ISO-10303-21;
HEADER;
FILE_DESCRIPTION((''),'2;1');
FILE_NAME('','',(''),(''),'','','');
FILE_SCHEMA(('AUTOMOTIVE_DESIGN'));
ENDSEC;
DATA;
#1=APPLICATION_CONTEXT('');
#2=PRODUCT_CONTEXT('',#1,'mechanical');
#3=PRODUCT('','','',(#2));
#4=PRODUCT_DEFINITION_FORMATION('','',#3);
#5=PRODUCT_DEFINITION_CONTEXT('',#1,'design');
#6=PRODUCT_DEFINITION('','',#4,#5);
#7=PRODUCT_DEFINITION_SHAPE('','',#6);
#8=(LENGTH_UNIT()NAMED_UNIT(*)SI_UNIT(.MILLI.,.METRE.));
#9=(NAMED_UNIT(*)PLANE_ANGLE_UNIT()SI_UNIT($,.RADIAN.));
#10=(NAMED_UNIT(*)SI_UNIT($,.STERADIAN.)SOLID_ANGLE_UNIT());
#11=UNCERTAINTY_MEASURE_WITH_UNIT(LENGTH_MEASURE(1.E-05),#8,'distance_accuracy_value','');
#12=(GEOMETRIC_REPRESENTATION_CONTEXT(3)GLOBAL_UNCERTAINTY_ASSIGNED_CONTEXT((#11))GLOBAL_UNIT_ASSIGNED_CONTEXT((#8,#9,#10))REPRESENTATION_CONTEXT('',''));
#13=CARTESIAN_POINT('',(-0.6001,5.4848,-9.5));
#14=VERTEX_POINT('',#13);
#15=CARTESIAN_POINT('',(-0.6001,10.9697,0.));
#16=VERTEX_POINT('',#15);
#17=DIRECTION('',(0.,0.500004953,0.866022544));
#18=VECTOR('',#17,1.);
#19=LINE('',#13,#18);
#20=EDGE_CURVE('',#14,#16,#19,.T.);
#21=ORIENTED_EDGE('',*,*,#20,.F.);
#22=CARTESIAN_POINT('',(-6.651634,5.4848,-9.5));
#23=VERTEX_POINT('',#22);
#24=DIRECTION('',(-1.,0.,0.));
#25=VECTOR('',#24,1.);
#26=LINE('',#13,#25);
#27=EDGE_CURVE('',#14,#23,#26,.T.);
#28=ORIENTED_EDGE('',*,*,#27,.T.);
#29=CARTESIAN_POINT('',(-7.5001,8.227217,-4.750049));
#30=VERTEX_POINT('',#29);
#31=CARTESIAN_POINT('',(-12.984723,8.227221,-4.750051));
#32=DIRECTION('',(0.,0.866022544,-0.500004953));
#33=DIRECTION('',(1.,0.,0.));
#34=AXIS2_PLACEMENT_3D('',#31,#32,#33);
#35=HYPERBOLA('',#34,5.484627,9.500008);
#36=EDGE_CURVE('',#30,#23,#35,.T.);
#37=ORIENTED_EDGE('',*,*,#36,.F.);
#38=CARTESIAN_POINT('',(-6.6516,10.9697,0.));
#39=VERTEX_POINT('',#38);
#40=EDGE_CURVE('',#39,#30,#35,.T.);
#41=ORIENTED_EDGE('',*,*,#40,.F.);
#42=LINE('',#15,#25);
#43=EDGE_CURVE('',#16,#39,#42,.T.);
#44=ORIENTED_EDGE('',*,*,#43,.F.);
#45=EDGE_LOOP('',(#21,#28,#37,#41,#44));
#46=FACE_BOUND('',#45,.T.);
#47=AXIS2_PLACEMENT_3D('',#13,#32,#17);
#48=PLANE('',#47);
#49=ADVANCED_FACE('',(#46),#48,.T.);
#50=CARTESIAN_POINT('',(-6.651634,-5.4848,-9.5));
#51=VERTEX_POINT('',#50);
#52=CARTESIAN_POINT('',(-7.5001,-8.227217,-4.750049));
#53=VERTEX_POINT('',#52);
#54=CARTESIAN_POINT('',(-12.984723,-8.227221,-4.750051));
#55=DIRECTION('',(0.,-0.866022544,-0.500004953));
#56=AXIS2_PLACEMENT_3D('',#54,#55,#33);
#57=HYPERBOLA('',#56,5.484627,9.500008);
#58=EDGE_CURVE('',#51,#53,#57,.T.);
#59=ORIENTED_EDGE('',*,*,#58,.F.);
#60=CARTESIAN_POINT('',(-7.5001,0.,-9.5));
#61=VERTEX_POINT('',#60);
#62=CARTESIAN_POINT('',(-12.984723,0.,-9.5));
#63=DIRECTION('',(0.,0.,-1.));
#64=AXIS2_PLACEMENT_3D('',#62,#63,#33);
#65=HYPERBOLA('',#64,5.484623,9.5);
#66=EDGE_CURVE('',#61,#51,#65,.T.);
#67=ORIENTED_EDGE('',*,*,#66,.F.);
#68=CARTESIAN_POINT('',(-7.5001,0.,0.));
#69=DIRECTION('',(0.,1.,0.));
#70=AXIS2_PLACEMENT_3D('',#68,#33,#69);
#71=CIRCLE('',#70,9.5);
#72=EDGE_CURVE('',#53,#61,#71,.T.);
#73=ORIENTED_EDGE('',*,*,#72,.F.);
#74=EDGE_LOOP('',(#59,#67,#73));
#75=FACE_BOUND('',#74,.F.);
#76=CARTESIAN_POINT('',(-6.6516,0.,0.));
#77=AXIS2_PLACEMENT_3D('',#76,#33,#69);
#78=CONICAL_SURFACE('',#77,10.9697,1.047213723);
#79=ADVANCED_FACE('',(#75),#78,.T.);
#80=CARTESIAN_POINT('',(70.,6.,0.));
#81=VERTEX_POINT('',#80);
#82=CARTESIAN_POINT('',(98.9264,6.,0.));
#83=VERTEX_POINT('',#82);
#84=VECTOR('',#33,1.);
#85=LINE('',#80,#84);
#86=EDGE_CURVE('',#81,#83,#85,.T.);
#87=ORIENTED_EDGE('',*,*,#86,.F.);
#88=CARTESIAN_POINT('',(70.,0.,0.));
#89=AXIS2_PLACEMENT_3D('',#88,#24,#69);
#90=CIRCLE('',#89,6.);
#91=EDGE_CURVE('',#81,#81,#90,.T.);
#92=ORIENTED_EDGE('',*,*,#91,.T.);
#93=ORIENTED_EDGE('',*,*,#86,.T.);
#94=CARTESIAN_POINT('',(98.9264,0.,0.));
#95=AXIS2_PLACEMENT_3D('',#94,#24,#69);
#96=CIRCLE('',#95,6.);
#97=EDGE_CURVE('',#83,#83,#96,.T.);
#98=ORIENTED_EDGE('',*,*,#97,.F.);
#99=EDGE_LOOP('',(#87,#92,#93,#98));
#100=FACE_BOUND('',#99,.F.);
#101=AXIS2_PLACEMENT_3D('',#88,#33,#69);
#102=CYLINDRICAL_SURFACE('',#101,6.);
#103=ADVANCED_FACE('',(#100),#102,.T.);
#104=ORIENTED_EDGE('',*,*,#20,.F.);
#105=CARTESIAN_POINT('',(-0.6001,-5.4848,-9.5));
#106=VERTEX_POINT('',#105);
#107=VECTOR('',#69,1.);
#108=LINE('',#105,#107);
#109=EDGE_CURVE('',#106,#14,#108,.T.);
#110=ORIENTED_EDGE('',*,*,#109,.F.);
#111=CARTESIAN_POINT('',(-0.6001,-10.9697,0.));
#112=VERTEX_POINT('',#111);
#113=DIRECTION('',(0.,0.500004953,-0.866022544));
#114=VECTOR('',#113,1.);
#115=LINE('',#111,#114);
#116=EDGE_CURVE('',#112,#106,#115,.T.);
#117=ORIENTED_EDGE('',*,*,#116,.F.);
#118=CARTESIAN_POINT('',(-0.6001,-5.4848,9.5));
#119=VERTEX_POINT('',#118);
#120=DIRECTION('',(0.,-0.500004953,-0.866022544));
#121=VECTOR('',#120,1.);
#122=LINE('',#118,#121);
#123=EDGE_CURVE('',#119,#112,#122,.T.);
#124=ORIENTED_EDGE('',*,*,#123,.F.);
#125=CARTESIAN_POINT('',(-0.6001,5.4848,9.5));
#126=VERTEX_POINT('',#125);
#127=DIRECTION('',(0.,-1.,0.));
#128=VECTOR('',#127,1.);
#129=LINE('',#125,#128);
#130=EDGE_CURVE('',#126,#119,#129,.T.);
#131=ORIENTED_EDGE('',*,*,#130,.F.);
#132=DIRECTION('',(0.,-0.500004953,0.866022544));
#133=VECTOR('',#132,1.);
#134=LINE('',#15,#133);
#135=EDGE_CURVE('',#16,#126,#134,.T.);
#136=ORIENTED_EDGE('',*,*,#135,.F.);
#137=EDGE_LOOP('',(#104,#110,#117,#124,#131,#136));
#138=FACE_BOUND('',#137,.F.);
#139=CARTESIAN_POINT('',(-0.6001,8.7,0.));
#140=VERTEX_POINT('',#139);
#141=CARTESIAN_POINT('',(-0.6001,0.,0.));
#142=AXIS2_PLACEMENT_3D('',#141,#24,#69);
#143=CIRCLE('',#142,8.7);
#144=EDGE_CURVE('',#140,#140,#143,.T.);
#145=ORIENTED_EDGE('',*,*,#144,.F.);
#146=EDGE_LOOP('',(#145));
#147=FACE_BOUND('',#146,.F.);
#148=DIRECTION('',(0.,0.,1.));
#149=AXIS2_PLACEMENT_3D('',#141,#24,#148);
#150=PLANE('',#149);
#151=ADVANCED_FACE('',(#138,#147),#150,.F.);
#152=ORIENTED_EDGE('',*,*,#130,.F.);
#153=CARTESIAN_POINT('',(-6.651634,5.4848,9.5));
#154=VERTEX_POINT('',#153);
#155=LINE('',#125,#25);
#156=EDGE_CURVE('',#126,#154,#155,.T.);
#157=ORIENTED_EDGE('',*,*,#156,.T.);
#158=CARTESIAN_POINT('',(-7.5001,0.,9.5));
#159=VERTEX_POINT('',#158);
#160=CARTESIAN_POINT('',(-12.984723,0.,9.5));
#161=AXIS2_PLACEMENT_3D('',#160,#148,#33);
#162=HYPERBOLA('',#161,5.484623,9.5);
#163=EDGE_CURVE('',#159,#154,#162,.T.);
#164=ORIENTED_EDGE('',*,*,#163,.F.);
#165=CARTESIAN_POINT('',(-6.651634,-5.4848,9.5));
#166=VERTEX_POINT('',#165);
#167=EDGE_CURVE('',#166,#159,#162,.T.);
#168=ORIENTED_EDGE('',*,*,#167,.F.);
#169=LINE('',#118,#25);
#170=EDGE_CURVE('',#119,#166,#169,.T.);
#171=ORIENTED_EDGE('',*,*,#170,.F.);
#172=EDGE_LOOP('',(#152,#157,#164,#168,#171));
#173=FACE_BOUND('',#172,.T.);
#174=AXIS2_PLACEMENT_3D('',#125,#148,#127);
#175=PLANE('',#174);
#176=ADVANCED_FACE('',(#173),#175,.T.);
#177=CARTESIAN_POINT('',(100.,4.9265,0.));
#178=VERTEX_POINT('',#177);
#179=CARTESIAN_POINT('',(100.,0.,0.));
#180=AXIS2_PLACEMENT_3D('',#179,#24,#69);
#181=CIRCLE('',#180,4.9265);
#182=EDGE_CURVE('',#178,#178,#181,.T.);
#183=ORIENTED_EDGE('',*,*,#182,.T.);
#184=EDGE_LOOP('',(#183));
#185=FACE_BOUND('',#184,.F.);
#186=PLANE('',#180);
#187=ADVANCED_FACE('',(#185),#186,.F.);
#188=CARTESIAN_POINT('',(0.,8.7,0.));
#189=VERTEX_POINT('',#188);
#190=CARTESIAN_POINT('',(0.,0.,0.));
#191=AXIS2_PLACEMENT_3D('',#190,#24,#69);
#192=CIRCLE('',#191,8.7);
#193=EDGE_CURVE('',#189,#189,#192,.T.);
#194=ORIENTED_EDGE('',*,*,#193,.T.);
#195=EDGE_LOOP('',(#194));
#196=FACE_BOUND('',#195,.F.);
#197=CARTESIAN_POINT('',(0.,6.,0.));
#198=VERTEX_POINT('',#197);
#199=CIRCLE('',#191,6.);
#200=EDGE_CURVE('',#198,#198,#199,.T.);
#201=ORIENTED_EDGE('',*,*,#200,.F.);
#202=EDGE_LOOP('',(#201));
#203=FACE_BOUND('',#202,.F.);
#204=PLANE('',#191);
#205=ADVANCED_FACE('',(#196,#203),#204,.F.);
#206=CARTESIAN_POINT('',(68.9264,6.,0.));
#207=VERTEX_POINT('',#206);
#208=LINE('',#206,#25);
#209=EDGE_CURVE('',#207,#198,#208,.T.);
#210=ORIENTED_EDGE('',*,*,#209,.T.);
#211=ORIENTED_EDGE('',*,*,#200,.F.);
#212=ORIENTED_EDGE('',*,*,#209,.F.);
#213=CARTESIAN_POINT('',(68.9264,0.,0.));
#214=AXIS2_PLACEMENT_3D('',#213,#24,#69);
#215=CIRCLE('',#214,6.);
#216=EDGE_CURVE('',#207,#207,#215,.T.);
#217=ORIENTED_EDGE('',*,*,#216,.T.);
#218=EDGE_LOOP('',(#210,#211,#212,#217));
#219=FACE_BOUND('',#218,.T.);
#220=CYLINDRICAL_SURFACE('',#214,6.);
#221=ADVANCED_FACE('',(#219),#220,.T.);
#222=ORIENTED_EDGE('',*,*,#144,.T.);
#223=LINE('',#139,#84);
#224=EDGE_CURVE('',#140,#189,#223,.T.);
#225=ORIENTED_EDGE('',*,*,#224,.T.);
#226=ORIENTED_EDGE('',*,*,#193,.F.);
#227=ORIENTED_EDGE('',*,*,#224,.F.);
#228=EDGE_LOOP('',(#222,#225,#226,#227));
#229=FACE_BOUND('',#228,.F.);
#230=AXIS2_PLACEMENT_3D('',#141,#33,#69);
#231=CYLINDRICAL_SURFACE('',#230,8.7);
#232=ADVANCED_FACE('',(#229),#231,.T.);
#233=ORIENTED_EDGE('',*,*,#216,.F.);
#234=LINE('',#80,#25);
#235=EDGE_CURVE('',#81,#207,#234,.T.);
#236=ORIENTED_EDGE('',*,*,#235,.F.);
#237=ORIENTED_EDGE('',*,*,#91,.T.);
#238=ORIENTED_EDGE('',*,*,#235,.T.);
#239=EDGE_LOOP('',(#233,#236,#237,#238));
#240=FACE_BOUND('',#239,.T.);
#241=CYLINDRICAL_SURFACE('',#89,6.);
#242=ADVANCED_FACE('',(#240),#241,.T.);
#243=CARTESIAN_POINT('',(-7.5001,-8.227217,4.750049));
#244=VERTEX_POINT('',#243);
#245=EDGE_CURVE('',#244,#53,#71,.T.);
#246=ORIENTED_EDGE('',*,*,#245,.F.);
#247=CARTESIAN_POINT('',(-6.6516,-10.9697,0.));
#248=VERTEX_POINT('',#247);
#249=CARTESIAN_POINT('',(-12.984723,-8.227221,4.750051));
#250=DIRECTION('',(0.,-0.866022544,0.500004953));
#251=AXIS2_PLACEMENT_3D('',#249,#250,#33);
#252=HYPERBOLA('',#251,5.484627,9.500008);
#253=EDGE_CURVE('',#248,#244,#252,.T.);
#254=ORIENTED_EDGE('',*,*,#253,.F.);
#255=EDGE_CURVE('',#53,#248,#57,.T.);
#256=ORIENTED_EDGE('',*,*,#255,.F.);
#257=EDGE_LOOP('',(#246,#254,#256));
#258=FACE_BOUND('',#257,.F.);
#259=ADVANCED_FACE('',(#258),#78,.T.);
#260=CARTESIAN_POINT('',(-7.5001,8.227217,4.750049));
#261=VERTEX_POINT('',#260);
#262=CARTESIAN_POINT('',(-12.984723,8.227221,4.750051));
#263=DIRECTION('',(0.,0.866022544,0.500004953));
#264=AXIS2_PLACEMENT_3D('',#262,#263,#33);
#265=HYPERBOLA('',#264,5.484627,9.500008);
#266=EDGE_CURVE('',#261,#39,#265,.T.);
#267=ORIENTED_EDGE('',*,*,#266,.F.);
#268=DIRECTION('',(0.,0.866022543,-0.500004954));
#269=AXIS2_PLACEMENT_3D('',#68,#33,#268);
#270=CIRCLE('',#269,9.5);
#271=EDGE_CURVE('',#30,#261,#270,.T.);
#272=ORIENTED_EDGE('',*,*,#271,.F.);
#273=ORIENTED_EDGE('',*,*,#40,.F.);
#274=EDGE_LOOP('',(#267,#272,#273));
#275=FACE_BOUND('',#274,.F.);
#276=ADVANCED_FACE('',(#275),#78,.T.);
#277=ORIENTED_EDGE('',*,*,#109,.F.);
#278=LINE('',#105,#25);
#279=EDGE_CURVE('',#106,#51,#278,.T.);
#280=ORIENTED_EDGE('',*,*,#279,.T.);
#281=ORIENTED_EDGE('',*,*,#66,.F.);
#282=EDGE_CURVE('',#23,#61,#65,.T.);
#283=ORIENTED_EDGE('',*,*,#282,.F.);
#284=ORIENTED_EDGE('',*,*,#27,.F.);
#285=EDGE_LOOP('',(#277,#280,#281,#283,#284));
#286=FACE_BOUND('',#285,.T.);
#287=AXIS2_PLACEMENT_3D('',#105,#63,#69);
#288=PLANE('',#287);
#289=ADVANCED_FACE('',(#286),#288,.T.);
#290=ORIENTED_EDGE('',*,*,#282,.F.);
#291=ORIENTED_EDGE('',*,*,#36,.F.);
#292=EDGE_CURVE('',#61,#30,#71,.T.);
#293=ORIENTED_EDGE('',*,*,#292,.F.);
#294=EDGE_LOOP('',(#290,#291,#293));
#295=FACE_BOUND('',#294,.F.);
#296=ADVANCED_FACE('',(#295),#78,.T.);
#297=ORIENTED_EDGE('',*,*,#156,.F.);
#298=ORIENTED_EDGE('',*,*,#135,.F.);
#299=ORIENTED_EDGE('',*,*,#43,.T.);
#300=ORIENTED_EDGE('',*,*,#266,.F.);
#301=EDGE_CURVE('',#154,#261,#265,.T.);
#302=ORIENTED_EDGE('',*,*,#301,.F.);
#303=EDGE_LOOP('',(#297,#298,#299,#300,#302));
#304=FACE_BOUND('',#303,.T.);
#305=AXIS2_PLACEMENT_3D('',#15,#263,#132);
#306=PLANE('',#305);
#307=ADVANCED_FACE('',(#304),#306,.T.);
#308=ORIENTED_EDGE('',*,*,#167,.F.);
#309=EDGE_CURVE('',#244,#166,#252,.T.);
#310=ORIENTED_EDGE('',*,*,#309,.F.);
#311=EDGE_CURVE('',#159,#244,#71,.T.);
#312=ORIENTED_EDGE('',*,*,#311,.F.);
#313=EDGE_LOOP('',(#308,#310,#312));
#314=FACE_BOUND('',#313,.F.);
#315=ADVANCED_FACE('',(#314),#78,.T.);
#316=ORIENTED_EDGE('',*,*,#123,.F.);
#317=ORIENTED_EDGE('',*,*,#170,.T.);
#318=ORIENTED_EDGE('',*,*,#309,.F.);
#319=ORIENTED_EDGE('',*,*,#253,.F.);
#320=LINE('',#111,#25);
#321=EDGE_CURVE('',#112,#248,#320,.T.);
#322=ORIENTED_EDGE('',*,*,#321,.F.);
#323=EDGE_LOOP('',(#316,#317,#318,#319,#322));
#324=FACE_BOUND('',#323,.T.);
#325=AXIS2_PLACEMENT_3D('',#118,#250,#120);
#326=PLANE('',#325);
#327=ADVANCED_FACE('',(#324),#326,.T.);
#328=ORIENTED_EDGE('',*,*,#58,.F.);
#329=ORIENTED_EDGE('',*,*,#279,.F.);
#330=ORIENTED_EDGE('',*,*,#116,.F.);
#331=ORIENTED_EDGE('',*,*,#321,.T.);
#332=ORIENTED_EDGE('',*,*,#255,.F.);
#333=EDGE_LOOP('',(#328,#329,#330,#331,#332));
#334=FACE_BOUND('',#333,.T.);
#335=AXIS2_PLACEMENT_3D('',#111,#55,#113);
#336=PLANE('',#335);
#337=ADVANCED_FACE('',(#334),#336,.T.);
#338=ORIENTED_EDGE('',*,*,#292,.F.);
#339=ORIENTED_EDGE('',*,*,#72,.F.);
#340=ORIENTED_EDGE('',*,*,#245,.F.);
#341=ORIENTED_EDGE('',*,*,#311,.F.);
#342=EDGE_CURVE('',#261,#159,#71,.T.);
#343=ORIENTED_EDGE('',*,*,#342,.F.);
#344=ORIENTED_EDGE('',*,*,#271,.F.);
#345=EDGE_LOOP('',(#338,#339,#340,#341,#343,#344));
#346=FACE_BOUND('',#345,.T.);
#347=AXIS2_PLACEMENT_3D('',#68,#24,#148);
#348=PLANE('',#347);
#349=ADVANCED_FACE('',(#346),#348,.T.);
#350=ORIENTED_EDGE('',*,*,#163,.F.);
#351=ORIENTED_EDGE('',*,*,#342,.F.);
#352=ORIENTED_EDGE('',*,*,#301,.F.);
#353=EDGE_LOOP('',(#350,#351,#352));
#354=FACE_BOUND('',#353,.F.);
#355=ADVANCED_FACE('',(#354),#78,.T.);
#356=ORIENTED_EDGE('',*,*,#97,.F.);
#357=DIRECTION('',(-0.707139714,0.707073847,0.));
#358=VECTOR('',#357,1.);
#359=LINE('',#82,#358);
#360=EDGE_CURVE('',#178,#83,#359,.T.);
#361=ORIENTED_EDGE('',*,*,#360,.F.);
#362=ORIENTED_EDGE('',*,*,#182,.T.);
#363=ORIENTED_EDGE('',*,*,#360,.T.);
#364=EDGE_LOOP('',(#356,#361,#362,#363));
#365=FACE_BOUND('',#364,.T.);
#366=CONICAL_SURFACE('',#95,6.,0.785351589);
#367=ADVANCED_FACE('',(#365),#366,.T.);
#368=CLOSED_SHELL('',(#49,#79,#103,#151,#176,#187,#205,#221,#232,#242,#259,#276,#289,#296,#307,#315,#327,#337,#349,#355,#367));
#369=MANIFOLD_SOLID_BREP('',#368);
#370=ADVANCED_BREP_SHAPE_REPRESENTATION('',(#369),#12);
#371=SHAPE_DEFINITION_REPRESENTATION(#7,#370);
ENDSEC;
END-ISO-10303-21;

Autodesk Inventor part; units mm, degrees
ref_plane "YZ Plane" through (0, 0, 0) normal (1, 0, 0) x (0, 1, 0)
ref_plane "XZ Plane" through (0, 0, 0) normal (0, 1, 0) x (-1, 0, 0)
sketch "Sketch1" plane through (0, 0, 0) normal (0, 0, 1) x (1, 0, 0)
  line L0 (0, 8.7) -> (0, 6)
  line L1 (70, 6) -> (100, 6)
  line L2 (100, 6) -> (100, 0)
  line L3 (100, 0) -> (-0.6001, 0)
  line L4 (-20.7201, 0) -> (120.12, 0) projected
  line L5 (-0.6001, 0) -> (-0.6001, 8.7)
  line L6 (-0.6001, 8.7) -> (0, 8.7)
  line L7 (70, 6) -> (68.9264, 6)
  line L8 (68.9264, 6) -> (0, 6)
  line L9 (0, -1.74) -> (0, 10.44) projected
  dimension "d0" = 100
  dimension "d1" = 30
  dimension "d2" = 12
  dimension "d9" = 0.6001
  dimension "d10" = 17.4
  dimension "d13" = 1.0736
  dimension "d14" = 12
revolve "Body" add sketch "Sketch1" angle 360 about axis through (100, 0, 0) along (-1, 0, 0)
sketch "Sketch2" plane through (-0.6001, 0, 0) normal (-1, 0, 0) x (0, 0, 1)
  line L0 (0, 10.9697) -> (9.5, 5.4848)
  line L1 (9.5, 5.4848) -> (9.5, -5.4848)
  line L2 (9.5, -5.4848) -> (0, -10.9697)
  line L3 (0, -10.9697) -> (-9.5, -5.4848)
  line L4 (-9.5, -5.4848) -> (-9.5, 5.4848)
  line L5 (-9.5, 5.4848) -> (0, 10.9697)
  point P0 (0, 0)
  point P1 (0, 0)
  dimension "d11" = 19
extrude "Head" add sketch "Sketch2" along normal blind 6.9
sketch "Sketch4" plane through (0, 0, 0) normal (0, 0, 1) x (1, 0, 0)
  line L0 (-7.5001, 9.5) -> (-7.5001, 10.9697)
  line L1 (-7.5001, 10.9697) -> (-6.6516, 10.9697)
  line L2 (-6.6516, 10.9697) -> (-7.5001, 9.5)
  line L3 (-8.8801, 0) -> (0.7799, 0) projected
  line L4 (-0.6001, 10.9697) -> (-7.5001, 10.9697) projected
  line L5 (-7.5001, 5.4848) -> (-7.5001, 10.9697) projected
  dimension "d5" = 30
  dimension "d19" = 19
revolve "Chamfer1" cut sketch "Sketch4" angle 360 about axis through (-10, 0, 0) along (1, 0, 0)
thread "Thread" size "M12x1.75" class "6g" standard "ISO Metric profile" length 30
chamfer "Chamfer2" distance 1.0735 distance2 1.0736 1 edges at (100, -6, 0) measured on face at (100, 1.8579, -1.646)
ref_plane "Work Plane1" through (1.525, 0, 0) normal (0, 0, 1) x (1, 0, 0)
equation "\"d0\" = NLG"
equation "\"d1\" = GEL"
equation "\"d2\" = GD"
equation "\"d10\" = SD2"
equation "\"d14\" = BDM"
equation "\"d11\" = SW"
equation "\"d3\" = KOH - SD"
equation "\"d5\" = ANG1"
equation "\"d19\" = SW0"
equation "\"d15\" = GEL"
equation "\"d6\" = -0.5 * SPD + 0.5 * GD"
equation "\"NLG\" = 100"
equation "\"GD\" = NND"
equation "\"BDM\" = NND"
equation "\"KOH\" = 7.5"
equation "\"GEL\" = 30"
equation "\"SW\" = 19"
equation "\"SW0\" = SW"
equation "\"SPD\" = NND - 1.2269 * PTC"
equation "\"SD2\" = 17.4"
equation "\"SD\" = 0.6"
equation "\"ANG1\" = 30deg"
equation "\"GAL\" = 0.61345 * PTC"
equation "\"GUL\" = 0.61345 * PTC"
equation "\"RR\" = 0.6"
equation "\"GD1\" = THREADDIA - 1.2269 * PTC"
equation "\"THREADDIA\" = 12"
equation "\"TOA\" = 30deg"
equation "\"PTC\" = 1.75"
equation "\"NND\" = 12"
equation "\"E0\" = 1.155 * SW"
properties part number "DIN 931-1 - M12 x 100" material "Steel, Mild"
